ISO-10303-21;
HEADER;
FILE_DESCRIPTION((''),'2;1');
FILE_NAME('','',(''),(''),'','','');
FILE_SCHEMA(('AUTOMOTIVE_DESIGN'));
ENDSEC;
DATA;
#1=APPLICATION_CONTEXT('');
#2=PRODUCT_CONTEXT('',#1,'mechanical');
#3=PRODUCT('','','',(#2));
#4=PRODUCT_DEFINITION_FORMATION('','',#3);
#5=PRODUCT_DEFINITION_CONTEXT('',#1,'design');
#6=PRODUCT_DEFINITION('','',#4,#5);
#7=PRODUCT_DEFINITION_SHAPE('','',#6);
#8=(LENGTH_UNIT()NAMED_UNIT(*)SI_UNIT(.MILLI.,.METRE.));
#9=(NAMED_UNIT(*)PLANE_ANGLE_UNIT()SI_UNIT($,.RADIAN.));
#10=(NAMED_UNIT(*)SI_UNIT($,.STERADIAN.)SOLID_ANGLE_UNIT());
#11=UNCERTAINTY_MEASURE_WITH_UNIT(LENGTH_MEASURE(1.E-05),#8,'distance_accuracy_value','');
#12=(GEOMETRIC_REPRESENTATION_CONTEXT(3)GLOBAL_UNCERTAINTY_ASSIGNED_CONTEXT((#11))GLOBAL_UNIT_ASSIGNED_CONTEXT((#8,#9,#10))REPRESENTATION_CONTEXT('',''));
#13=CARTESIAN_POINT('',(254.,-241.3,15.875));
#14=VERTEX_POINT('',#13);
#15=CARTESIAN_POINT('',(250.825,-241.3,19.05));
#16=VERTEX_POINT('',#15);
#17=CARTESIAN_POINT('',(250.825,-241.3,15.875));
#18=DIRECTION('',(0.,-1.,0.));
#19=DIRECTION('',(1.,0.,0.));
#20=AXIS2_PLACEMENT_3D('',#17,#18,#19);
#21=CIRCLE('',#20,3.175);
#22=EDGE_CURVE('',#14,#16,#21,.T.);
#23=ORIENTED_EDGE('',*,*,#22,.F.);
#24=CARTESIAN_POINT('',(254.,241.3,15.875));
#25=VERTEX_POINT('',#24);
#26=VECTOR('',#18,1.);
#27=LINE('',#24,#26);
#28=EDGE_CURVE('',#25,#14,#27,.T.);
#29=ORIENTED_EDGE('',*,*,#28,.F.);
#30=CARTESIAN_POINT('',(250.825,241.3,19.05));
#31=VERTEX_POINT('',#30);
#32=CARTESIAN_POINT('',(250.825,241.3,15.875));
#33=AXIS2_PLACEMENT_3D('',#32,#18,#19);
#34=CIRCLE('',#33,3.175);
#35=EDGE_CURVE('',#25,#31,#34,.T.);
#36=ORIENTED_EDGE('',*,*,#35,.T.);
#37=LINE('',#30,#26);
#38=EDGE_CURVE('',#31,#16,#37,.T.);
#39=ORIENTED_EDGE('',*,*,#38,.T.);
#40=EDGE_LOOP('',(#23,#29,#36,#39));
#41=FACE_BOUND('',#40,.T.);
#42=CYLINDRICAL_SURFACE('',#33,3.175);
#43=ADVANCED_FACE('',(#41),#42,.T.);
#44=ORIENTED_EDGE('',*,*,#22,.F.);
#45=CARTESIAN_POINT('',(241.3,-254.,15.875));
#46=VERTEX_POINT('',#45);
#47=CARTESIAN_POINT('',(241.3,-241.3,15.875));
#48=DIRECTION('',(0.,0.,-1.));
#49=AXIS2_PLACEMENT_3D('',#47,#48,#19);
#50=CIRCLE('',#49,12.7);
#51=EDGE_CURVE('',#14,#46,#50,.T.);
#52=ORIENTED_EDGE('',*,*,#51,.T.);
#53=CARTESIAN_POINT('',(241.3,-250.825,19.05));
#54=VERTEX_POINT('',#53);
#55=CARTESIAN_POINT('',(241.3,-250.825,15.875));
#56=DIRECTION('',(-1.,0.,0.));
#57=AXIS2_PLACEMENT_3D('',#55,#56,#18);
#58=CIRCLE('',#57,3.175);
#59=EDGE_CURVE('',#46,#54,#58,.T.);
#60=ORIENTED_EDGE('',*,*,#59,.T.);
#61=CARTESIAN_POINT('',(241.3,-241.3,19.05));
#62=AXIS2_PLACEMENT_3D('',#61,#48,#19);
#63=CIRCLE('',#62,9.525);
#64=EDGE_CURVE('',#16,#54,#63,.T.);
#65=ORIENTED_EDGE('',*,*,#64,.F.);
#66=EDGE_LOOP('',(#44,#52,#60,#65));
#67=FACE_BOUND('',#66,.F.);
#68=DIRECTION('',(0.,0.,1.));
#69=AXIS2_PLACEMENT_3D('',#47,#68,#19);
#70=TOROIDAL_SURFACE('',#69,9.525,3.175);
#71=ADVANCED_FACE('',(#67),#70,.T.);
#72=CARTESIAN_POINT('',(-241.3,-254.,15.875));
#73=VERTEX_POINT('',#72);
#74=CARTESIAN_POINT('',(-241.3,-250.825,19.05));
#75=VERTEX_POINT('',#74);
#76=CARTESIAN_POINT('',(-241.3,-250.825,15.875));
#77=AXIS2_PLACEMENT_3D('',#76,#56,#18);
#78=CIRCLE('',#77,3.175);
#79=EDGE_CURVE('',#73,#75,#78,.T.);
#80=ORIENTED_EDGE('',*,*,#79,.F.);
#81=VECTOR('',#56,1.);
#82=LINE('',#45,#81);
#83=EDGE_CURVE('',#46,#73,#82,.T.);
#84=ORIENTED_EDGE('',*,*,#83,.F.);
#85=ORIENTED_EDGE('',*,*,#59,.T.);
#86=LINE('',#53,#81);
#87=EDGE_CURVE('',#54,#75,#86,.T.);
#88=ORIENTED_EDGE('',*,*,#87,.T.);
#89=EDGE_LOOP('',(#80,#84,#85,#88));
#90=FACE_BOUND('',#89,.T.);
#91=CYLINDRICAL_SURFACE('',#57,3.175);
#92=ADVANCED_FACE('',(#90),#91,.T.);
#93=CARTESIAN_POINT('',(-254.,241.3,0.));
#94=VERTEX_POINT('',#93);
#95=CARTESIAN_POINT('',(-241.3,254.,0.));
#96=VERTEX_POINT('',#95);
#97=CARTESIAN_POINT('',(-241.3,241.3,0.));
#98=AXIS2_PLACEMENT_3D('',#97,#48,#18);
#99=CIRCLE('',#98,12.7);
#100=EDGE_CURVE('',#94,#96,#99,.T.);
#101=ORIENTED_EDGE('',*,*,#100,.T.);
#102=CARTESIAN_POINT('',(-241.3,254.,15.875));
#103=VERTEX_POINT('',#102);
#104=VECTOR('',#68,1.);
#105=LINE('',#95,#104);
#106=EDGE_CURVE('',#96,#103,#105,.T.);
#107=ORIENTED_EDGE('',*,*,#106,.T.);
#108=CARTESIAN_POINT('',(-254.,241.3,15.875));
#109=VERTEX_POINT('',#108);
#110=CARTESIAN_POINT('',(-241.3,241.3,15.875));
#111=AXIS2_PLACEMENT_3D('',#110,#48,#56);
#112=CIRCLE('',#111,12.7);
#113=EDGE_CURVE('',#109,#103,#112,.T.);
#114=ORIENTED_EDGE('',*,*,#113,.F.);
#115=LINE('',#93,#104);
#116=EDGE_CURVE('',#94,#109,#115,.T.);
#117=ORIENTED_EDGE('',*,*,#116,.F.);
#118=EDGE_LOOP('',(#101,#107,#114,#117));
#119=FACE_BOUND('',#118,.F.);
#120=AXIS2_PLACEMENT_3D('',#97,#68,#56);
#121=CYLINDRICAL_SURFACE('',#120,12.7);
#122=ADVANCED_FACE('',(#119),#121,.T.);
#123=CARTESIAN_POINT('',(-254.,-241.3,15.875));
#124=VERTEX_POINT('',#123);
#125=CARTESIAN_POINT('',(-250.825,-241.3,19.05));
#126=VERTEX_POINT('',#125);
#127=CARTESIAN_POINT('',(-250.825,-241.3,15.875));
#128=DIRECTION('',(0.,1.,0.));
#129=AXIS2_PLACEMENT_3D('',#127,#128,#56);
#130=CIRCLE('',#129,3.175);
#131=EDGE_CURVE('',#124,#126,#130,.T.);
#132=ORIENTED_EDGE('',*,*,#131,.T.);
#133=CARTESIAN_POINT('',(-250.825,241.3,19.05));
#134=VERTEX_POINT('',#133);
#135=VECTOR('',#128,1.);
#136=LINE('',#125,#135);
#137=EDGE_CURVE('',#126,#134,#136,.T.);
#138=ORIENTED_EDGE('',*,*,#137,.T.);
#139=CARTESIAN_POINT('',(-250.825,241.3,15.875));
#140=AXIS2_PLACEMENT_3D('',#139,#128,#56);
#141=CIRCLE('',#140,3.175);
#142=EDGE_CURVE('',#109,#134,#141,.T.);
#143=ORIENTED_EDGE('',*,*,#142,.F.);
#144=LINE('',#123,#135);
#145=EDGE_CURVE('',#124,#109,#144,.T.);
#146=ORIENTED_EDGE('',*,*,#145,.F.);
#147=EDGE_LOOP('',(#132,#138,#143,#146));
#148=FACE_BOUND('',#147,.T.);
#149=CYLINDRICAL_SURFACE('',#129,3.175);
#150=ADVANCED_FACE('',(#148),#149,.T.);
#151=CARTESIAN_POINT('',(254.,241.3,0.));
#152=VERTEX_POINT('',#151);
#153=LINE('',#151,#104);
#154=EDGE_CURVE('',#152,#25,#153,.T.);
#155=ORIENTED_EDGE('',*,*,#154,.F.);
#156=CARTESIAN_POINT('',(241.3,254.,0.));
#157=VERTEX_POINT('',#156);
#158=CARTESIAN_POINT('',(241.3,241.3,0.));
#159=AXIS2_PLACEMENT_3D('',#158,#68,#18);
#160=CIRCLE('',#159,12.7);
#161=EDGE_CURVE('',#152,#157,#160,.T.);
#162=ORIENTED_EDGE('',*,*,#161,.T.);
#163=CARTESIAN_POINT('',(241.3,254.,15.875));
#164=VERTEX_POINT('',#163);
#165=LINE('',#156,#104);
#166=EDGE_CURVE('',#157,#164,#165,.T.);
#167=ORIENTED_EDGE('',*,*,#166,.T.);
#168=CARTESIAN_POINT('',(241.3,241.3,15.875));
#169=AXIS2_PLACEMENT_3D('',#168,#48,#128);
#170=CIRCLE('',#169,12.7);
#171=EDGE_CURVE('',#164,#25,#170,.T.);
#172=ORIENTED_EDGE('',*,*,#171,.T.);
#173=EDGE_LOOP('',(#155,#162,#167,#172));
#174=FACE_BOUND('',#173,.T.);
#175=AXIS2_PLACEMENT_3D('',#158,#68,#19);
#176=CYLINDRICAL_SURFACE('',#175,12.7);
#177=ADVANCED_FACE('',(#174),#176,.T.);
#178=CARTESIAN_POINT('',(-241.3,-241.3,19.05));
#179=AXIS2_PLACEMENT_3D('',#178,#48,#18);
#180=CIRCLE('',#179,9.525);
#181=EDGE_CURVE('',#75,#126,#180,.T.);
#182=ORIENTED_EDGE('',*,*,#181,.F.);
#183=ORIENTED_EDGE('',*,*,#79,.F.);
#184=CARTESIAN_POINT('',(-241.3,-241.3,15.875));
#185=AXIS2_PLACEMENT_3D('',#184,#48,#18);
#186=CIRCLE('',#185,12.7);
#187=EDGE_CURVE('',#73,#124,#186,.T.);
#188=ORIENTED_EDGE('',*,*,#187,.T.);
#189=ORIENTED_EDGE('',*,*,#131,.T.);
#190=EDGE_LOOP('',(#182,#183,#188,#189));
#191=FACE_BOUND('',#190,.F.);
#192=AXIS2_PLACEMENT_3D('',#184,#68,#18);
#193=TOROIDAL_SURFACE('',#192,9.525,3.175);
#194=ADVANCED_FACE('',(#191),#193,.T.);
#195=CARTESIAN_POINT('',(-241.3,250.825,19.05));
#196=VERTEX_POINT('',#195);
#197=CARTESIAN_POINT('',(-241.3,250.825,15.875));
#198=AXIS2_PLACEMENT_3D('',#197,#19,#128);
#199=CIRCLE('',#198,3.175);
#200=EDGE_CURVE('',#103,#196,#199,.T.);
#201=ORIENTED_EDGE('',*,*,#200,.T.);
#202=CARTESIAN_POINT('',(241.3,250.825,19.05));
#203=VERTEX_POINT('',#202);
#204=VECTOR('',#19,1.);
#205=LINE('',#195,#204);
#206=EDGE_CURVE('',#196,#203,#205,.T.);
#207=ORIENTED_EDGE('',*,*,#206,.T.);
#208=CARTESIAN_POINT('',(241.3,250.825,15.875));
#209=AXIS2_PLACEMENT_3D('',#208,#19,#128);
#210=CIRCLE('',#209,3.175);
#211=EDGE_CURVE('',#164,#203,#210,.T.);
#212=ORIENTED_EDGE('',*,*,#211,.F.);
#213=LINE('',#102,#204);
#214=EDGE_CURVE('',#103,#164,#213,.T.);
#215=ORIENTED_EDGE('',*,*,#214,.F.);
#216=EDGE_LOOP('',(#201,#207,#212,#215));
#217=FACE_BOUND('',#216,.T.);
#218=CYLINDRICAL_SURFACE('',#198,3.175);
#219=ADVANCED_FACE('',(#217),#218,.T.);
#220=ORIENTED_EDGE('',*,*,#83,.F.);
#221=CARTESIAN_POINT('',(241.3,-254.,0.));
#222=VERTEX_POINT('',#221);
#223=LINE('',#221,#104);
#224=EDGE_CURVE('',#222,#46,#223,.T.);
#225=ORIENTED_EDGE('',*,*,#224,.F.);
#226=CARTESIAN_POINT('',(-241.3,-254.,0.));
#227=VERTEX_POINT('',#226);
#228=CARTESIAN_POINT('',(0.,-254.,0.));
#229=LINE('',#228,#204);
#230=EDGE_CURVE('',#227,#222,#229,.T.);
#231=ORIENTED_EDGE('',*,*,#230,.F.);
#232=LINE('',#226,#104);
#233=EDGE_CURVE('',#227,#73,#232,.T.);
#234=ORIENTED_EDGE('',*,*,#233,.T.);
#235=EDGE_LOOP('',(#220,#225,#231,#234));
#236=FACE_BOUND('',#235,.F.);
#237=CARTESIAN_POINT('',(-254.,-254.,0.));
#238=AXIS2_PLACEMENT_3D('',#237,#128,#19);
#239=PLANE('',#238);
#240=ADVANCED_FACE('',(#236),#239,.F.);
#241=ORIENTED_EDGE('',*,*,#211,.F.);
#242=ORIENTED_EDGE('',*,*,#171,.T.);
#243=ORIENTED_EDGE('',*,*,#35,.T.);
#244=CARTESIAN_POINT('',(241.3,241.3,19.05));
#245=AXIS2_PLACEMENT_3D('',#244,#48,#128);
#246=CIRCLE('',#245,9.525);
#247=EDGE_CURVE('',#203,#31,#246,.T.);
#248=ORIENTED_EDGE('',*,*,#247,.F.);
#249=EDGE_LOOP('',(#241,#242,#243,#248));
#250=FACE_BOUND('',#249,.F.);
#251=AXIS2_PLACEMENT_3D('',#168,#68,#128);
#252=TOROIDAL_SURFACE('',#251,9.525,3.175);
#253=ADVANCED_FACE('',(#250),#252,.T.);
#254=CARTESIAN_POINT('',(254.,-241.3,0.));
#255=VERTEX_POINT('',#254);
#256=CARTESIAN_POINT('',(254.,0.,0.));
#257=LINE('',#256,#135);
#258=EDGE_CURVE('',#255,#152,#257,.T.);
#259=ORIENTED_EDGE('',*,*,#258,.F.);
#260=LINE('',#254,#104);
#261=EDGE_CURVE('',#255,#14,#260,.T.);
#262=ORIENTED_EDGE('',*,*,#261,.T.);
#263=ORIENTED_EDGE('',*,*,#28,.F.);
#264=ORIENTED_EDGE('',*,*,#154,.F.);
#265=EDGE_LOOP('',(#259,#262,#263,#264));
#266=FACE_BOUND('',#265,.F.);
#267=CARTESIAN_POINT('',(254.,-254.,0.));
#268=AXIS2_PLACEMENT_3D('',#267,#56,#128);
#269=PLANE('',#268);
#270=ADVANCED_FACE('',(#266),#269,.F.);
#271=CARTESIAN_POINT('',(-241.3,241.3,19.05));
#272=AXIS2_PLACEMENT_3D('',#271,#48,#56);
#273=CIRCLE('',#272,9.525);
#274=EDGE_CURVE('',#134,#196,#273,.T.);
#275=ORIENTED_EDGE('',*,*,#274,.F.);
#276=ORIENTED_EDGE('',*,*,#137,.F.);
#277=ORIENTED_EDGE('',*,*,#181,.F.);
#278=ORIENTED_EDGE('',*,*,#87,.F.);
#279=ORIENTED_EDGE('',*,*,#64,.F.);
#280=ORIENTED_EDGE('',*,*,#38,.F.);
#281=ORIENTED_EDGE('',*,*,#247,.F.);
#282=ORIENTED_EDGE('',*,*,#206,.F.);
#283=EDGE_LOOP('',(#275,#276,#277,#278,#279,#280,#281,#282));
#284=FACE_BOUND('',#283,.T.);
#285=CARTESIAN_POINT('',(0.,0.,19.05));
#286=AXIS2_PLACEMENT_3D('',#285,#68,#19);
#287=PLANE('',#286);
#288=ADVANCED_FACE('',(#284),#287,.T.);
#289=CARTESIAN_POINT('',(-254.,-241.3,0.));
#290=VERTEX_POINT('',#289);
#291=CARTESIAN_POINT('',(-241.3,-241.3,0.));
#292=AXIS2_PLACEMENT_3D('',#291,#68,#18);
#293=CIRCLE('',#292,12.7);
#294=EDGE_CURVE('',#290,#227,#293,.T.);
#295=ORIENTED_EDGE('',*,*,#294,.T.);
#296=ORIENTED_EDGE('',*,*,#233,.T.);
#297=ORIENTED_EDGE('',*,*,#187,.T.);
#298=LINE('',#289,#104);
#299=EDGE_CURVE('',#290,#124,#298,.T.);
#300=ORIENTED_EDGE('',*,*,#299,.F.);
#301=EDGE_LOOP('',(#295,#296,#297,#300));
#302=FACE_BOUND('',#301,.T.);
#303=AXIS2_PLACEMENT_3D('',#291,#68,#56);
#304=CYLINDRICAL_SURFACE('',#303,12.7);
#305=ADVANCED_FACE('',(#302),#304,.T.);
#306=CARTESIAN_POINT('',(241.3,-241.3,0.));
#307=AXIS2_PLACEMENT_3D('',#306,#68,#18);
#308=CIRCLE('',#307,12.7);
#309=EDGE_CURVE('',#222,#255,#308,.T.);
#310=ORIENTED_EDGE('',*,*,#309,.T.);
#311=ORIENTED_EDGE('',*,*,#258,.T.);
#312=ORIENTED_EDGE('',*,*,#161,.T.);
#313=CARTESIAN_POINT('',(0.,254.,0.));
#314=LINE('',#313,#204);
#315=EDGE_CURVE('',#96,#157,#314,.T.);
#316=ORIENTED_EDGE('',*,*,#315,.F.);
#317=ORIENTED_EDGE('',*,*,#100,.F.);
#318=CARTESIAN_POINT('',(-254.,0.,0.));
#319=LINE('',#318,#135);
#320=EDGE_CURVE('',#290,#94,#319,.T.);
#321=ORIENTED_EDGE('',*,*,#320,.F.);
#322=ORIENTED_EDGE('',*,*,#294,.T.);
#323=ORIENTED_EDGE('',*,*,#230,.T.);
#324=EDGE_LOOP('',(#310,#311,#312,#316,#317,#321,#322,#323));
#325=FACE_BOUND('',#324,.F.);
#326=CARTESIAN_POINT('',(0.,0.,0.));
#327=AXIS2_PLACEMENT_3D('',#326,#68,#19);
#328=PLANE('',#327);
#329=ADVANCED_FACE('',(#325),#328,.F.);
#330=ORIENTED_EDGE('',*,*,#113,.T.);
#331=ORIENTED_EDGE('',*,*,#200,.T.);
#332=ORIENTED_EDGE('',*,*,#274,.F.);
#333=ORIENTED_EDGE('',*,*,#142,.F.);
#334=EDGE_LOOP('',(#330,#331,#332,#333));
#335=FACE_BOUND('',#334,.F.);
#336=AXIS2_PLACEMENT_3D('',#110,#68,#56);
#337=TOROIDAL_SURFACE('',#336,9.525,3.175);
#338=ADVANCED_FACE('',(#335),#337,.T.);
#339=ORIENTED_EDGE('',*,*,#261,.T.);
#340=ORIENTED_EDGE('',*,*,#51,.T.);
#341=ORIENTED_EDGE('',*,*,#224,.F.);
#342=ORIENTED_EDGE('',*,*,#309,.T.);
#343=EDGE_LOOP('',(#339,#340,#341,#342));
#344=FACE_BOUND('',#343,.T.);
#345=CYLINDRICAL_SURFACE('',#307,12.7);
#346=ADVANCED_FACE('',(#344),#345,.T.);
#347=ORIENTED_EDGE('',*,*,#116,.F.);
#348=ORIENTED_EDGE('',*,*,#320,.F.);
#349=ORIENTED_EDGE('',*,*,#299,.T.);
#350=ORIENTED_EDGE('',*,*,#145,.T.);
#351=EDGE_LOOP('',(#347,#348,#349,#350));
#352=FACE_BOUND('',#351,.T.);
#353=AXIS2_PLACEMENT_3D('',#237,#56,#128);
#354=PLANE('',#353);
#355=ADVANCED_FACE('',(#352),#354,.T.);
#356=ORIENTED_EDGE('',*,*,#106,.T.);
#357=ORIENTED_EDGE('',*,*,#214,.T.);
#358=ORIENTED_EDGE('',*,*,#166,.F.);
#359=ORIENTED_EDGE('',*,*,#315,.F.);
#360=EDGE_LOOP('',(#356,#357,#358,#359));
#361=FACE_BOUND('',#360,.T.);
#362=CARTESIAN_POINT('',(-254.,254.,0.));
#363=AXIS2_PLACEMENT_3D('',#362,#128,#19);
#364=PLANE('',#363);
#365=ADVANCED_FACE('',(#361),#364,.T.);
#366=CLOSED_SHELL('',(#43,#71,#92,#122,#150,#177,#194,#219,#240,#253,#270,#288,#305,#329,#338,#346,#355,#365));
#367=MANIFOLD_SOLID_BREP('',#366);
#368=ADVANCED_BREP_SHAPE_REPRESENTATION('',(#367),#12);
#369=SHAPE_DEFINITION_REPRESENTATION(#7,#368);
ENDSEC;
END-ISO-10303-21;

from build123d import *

# Parameters (mm, degrees)
F0_W     = 508
F0_H     = 508
F1_DEPTH = 19.05
F2_R     = 12.7
F3_R     = 3.175


with BuildPart() as f1:
    # F0 (on Top) → F1 (new body)
    with BuildSketch(Plane.XY):
        Rectangle(F0_W, F0_H)
    extrude(amount=F1_DEPTH)

    # F2
    f2_edges = [f1.edges().sort_by_distance(p)[0] for p in [
        (-254, 254, 9.525),
        (254, 254, 9.525),
        (-254, -254, 9.525),
        (254, -254, 9.525),
    ]]
    fillet(f2_edges, radius=F2_R)

    # F3
    f3_edges = [f1.edges().sort_by_distance(p)[0] for p in [
        (-254, 0, 19.05),
    ]]
    fillet(f3_edges, radius=F3_R)


solid = f1.part
